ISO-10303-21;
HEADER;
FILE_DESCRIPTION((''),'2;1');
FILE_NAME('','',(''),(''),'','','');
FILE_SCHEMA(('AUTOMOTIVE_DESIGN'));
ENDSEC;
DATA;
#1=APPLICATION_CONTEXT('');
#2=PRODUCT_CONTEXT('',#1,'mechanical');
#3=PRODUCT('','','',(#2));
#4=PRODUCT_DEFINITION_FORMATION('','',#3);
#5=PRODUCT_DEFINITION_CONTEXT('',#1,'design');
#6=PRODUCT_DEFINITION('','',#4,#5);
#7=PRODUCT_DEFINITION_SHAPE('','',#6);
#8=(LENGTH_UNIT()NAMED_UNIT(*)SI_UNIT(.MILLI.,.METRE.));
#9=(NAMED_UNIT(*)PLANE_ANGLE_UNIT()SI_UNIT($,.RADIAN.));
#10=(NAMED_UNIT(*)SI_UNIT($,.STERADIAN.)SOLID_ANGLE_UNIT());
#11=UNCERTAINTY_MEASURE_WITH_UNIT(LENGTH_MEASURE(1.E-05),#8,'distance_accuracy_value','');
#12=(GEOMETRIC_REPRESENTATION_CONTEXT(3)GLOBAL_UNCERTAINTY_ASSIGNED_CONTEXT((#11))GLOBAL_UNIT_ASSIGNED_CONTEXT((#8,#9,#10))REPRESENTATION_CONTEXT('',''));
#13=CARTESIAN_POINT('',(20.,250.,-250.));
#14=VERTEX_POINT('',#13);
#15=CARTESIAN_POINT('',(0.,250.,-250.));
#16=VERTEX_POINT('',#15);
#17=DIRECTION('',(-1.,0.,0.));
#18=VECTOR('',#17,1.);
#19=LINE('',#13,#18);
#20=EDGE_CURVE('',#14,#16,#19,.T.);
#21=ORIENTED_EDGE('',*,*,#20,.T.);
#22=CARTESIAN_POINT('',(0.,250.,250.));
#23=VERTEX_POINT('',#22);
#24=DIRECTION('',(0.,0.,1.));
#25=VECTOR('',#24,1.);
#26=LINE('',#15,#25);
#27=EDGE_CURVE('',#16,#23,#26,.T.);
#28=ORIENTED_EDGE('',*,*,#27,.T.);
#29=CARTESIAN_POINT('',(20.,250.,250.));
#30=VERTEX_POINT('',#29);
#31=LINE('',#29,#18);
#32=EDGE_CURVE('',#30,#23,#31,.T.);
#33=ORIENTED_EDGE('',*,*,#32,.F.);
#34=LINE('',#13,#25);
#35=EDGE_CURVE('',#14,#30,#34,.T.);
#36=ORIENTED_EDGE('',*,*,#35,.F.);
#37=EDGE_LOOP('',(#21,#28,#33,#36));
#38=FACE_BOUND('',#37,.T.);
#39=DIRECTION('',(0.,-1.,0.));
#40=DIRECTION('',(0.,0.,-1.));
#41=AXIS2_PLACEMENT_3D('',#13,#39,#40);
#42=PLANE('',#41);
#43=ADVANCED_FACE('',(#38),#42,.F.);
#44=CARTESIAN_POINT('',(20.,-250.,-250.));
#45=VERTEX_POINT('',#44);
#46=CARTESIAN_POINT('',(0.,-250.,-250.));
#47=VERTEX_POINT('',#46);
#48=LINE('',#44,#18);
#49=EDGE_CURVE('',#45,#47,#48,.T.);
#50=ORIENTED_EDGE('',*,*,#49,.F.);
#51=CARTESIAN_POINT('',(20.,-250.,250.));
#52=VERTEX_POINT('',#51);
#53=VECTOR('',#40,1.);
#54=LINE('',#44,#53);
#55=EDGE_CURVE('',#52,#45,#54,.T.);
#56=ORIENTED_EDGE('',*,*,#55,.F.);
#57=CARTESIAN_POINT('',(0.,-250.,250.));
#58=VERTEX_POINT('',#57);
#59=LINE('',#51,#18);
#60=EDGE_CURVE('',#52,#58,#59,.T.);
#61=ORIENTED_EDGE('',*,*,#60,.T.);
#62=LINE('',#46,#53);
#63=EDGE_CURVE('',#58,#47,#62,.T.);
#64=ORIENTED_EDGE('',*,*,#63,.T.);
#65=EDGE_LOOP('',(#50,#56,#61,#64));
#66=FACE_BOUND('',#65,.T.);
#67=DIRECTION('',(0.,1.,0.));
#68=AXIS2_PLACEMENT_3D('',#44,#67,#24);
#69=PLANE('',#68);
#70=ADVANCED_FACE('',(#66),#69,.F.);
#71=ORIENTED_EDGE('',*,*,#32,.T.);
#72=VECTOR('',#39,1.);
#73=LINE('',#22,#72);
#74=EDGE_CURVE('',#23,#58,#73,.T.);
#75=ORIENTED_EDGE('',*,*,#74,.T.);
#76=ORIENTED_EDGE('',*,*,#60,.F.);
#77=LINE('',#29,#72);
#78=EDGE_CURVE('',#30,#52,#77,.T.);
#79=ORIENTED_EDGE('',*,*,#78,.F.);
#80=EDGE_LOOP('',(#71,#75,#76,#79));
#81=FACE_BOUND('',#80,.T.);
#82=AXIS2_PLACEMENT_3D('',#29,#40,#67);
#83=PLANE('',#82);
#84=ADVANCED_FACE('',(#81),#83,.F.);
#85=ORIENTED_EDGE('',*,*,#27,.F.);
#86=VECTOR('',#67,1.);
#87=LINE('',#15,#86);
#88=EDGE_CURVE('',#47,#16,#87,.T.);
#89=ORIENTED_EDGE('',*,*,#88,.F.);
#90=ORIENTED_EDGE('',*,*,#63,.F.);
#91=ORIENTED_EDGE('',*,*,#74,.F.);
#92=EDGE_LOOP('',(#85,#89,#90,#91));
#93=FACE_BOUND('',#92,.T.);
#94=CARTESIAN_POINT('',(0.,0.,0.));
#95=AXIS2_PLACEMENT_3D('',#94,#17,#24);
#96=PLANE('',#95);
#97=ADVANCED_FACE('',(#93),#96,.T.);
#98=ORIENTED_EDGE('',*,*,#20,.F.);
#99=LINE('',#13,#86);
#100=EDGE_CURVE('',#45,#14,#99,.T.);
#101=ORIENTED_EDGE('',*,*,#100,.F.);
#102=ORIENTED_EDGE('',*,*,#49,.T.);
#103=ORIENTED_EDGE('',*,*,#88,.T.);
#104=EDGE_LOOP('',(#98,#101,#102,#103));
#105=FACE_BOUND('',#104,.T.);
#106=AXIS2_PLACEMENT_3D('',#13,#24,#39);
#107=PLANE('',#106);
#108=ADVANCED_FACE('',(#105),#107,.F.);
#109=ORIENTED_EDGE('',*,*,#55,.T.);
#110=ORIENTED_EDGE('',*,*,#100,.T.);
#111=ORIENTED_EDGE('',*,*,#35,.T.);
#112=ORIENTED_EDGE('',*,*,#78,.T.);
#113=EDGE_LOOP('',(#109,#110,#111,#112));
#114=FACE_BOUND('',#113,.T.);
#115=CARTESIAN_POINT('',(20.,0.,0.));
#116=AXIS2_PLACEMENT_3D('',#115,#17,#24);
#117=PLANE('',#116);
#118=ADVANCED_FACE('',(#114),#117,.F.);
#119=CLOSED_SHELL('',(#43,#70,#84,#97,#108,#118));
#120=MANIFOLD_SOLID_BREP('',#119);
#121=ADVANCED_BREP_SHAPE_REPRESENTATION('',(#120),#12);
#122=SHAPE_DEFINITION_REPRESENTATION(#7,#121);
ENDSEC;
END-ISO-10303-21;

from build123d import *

# Parameters (mm, degrees)
SKETCH_1_W      = 500
SKETCH_1_H      = 500
EXTRUDE_1_DEPTH = 20


with BuildPart() as part:
    # 草图1 → 凸台-拉伸1 (new body)
    with BuildSketch(Plane(origin=(0, 0, 0), x_dir=(0, 0, -1), z_dir=(1, 0, 0))):
        Rectangle(SKETCH_1_W, SKETCH_1_H)
    extrude(amount=EXTRUDE_1_DEPTH)


solid = part.part
